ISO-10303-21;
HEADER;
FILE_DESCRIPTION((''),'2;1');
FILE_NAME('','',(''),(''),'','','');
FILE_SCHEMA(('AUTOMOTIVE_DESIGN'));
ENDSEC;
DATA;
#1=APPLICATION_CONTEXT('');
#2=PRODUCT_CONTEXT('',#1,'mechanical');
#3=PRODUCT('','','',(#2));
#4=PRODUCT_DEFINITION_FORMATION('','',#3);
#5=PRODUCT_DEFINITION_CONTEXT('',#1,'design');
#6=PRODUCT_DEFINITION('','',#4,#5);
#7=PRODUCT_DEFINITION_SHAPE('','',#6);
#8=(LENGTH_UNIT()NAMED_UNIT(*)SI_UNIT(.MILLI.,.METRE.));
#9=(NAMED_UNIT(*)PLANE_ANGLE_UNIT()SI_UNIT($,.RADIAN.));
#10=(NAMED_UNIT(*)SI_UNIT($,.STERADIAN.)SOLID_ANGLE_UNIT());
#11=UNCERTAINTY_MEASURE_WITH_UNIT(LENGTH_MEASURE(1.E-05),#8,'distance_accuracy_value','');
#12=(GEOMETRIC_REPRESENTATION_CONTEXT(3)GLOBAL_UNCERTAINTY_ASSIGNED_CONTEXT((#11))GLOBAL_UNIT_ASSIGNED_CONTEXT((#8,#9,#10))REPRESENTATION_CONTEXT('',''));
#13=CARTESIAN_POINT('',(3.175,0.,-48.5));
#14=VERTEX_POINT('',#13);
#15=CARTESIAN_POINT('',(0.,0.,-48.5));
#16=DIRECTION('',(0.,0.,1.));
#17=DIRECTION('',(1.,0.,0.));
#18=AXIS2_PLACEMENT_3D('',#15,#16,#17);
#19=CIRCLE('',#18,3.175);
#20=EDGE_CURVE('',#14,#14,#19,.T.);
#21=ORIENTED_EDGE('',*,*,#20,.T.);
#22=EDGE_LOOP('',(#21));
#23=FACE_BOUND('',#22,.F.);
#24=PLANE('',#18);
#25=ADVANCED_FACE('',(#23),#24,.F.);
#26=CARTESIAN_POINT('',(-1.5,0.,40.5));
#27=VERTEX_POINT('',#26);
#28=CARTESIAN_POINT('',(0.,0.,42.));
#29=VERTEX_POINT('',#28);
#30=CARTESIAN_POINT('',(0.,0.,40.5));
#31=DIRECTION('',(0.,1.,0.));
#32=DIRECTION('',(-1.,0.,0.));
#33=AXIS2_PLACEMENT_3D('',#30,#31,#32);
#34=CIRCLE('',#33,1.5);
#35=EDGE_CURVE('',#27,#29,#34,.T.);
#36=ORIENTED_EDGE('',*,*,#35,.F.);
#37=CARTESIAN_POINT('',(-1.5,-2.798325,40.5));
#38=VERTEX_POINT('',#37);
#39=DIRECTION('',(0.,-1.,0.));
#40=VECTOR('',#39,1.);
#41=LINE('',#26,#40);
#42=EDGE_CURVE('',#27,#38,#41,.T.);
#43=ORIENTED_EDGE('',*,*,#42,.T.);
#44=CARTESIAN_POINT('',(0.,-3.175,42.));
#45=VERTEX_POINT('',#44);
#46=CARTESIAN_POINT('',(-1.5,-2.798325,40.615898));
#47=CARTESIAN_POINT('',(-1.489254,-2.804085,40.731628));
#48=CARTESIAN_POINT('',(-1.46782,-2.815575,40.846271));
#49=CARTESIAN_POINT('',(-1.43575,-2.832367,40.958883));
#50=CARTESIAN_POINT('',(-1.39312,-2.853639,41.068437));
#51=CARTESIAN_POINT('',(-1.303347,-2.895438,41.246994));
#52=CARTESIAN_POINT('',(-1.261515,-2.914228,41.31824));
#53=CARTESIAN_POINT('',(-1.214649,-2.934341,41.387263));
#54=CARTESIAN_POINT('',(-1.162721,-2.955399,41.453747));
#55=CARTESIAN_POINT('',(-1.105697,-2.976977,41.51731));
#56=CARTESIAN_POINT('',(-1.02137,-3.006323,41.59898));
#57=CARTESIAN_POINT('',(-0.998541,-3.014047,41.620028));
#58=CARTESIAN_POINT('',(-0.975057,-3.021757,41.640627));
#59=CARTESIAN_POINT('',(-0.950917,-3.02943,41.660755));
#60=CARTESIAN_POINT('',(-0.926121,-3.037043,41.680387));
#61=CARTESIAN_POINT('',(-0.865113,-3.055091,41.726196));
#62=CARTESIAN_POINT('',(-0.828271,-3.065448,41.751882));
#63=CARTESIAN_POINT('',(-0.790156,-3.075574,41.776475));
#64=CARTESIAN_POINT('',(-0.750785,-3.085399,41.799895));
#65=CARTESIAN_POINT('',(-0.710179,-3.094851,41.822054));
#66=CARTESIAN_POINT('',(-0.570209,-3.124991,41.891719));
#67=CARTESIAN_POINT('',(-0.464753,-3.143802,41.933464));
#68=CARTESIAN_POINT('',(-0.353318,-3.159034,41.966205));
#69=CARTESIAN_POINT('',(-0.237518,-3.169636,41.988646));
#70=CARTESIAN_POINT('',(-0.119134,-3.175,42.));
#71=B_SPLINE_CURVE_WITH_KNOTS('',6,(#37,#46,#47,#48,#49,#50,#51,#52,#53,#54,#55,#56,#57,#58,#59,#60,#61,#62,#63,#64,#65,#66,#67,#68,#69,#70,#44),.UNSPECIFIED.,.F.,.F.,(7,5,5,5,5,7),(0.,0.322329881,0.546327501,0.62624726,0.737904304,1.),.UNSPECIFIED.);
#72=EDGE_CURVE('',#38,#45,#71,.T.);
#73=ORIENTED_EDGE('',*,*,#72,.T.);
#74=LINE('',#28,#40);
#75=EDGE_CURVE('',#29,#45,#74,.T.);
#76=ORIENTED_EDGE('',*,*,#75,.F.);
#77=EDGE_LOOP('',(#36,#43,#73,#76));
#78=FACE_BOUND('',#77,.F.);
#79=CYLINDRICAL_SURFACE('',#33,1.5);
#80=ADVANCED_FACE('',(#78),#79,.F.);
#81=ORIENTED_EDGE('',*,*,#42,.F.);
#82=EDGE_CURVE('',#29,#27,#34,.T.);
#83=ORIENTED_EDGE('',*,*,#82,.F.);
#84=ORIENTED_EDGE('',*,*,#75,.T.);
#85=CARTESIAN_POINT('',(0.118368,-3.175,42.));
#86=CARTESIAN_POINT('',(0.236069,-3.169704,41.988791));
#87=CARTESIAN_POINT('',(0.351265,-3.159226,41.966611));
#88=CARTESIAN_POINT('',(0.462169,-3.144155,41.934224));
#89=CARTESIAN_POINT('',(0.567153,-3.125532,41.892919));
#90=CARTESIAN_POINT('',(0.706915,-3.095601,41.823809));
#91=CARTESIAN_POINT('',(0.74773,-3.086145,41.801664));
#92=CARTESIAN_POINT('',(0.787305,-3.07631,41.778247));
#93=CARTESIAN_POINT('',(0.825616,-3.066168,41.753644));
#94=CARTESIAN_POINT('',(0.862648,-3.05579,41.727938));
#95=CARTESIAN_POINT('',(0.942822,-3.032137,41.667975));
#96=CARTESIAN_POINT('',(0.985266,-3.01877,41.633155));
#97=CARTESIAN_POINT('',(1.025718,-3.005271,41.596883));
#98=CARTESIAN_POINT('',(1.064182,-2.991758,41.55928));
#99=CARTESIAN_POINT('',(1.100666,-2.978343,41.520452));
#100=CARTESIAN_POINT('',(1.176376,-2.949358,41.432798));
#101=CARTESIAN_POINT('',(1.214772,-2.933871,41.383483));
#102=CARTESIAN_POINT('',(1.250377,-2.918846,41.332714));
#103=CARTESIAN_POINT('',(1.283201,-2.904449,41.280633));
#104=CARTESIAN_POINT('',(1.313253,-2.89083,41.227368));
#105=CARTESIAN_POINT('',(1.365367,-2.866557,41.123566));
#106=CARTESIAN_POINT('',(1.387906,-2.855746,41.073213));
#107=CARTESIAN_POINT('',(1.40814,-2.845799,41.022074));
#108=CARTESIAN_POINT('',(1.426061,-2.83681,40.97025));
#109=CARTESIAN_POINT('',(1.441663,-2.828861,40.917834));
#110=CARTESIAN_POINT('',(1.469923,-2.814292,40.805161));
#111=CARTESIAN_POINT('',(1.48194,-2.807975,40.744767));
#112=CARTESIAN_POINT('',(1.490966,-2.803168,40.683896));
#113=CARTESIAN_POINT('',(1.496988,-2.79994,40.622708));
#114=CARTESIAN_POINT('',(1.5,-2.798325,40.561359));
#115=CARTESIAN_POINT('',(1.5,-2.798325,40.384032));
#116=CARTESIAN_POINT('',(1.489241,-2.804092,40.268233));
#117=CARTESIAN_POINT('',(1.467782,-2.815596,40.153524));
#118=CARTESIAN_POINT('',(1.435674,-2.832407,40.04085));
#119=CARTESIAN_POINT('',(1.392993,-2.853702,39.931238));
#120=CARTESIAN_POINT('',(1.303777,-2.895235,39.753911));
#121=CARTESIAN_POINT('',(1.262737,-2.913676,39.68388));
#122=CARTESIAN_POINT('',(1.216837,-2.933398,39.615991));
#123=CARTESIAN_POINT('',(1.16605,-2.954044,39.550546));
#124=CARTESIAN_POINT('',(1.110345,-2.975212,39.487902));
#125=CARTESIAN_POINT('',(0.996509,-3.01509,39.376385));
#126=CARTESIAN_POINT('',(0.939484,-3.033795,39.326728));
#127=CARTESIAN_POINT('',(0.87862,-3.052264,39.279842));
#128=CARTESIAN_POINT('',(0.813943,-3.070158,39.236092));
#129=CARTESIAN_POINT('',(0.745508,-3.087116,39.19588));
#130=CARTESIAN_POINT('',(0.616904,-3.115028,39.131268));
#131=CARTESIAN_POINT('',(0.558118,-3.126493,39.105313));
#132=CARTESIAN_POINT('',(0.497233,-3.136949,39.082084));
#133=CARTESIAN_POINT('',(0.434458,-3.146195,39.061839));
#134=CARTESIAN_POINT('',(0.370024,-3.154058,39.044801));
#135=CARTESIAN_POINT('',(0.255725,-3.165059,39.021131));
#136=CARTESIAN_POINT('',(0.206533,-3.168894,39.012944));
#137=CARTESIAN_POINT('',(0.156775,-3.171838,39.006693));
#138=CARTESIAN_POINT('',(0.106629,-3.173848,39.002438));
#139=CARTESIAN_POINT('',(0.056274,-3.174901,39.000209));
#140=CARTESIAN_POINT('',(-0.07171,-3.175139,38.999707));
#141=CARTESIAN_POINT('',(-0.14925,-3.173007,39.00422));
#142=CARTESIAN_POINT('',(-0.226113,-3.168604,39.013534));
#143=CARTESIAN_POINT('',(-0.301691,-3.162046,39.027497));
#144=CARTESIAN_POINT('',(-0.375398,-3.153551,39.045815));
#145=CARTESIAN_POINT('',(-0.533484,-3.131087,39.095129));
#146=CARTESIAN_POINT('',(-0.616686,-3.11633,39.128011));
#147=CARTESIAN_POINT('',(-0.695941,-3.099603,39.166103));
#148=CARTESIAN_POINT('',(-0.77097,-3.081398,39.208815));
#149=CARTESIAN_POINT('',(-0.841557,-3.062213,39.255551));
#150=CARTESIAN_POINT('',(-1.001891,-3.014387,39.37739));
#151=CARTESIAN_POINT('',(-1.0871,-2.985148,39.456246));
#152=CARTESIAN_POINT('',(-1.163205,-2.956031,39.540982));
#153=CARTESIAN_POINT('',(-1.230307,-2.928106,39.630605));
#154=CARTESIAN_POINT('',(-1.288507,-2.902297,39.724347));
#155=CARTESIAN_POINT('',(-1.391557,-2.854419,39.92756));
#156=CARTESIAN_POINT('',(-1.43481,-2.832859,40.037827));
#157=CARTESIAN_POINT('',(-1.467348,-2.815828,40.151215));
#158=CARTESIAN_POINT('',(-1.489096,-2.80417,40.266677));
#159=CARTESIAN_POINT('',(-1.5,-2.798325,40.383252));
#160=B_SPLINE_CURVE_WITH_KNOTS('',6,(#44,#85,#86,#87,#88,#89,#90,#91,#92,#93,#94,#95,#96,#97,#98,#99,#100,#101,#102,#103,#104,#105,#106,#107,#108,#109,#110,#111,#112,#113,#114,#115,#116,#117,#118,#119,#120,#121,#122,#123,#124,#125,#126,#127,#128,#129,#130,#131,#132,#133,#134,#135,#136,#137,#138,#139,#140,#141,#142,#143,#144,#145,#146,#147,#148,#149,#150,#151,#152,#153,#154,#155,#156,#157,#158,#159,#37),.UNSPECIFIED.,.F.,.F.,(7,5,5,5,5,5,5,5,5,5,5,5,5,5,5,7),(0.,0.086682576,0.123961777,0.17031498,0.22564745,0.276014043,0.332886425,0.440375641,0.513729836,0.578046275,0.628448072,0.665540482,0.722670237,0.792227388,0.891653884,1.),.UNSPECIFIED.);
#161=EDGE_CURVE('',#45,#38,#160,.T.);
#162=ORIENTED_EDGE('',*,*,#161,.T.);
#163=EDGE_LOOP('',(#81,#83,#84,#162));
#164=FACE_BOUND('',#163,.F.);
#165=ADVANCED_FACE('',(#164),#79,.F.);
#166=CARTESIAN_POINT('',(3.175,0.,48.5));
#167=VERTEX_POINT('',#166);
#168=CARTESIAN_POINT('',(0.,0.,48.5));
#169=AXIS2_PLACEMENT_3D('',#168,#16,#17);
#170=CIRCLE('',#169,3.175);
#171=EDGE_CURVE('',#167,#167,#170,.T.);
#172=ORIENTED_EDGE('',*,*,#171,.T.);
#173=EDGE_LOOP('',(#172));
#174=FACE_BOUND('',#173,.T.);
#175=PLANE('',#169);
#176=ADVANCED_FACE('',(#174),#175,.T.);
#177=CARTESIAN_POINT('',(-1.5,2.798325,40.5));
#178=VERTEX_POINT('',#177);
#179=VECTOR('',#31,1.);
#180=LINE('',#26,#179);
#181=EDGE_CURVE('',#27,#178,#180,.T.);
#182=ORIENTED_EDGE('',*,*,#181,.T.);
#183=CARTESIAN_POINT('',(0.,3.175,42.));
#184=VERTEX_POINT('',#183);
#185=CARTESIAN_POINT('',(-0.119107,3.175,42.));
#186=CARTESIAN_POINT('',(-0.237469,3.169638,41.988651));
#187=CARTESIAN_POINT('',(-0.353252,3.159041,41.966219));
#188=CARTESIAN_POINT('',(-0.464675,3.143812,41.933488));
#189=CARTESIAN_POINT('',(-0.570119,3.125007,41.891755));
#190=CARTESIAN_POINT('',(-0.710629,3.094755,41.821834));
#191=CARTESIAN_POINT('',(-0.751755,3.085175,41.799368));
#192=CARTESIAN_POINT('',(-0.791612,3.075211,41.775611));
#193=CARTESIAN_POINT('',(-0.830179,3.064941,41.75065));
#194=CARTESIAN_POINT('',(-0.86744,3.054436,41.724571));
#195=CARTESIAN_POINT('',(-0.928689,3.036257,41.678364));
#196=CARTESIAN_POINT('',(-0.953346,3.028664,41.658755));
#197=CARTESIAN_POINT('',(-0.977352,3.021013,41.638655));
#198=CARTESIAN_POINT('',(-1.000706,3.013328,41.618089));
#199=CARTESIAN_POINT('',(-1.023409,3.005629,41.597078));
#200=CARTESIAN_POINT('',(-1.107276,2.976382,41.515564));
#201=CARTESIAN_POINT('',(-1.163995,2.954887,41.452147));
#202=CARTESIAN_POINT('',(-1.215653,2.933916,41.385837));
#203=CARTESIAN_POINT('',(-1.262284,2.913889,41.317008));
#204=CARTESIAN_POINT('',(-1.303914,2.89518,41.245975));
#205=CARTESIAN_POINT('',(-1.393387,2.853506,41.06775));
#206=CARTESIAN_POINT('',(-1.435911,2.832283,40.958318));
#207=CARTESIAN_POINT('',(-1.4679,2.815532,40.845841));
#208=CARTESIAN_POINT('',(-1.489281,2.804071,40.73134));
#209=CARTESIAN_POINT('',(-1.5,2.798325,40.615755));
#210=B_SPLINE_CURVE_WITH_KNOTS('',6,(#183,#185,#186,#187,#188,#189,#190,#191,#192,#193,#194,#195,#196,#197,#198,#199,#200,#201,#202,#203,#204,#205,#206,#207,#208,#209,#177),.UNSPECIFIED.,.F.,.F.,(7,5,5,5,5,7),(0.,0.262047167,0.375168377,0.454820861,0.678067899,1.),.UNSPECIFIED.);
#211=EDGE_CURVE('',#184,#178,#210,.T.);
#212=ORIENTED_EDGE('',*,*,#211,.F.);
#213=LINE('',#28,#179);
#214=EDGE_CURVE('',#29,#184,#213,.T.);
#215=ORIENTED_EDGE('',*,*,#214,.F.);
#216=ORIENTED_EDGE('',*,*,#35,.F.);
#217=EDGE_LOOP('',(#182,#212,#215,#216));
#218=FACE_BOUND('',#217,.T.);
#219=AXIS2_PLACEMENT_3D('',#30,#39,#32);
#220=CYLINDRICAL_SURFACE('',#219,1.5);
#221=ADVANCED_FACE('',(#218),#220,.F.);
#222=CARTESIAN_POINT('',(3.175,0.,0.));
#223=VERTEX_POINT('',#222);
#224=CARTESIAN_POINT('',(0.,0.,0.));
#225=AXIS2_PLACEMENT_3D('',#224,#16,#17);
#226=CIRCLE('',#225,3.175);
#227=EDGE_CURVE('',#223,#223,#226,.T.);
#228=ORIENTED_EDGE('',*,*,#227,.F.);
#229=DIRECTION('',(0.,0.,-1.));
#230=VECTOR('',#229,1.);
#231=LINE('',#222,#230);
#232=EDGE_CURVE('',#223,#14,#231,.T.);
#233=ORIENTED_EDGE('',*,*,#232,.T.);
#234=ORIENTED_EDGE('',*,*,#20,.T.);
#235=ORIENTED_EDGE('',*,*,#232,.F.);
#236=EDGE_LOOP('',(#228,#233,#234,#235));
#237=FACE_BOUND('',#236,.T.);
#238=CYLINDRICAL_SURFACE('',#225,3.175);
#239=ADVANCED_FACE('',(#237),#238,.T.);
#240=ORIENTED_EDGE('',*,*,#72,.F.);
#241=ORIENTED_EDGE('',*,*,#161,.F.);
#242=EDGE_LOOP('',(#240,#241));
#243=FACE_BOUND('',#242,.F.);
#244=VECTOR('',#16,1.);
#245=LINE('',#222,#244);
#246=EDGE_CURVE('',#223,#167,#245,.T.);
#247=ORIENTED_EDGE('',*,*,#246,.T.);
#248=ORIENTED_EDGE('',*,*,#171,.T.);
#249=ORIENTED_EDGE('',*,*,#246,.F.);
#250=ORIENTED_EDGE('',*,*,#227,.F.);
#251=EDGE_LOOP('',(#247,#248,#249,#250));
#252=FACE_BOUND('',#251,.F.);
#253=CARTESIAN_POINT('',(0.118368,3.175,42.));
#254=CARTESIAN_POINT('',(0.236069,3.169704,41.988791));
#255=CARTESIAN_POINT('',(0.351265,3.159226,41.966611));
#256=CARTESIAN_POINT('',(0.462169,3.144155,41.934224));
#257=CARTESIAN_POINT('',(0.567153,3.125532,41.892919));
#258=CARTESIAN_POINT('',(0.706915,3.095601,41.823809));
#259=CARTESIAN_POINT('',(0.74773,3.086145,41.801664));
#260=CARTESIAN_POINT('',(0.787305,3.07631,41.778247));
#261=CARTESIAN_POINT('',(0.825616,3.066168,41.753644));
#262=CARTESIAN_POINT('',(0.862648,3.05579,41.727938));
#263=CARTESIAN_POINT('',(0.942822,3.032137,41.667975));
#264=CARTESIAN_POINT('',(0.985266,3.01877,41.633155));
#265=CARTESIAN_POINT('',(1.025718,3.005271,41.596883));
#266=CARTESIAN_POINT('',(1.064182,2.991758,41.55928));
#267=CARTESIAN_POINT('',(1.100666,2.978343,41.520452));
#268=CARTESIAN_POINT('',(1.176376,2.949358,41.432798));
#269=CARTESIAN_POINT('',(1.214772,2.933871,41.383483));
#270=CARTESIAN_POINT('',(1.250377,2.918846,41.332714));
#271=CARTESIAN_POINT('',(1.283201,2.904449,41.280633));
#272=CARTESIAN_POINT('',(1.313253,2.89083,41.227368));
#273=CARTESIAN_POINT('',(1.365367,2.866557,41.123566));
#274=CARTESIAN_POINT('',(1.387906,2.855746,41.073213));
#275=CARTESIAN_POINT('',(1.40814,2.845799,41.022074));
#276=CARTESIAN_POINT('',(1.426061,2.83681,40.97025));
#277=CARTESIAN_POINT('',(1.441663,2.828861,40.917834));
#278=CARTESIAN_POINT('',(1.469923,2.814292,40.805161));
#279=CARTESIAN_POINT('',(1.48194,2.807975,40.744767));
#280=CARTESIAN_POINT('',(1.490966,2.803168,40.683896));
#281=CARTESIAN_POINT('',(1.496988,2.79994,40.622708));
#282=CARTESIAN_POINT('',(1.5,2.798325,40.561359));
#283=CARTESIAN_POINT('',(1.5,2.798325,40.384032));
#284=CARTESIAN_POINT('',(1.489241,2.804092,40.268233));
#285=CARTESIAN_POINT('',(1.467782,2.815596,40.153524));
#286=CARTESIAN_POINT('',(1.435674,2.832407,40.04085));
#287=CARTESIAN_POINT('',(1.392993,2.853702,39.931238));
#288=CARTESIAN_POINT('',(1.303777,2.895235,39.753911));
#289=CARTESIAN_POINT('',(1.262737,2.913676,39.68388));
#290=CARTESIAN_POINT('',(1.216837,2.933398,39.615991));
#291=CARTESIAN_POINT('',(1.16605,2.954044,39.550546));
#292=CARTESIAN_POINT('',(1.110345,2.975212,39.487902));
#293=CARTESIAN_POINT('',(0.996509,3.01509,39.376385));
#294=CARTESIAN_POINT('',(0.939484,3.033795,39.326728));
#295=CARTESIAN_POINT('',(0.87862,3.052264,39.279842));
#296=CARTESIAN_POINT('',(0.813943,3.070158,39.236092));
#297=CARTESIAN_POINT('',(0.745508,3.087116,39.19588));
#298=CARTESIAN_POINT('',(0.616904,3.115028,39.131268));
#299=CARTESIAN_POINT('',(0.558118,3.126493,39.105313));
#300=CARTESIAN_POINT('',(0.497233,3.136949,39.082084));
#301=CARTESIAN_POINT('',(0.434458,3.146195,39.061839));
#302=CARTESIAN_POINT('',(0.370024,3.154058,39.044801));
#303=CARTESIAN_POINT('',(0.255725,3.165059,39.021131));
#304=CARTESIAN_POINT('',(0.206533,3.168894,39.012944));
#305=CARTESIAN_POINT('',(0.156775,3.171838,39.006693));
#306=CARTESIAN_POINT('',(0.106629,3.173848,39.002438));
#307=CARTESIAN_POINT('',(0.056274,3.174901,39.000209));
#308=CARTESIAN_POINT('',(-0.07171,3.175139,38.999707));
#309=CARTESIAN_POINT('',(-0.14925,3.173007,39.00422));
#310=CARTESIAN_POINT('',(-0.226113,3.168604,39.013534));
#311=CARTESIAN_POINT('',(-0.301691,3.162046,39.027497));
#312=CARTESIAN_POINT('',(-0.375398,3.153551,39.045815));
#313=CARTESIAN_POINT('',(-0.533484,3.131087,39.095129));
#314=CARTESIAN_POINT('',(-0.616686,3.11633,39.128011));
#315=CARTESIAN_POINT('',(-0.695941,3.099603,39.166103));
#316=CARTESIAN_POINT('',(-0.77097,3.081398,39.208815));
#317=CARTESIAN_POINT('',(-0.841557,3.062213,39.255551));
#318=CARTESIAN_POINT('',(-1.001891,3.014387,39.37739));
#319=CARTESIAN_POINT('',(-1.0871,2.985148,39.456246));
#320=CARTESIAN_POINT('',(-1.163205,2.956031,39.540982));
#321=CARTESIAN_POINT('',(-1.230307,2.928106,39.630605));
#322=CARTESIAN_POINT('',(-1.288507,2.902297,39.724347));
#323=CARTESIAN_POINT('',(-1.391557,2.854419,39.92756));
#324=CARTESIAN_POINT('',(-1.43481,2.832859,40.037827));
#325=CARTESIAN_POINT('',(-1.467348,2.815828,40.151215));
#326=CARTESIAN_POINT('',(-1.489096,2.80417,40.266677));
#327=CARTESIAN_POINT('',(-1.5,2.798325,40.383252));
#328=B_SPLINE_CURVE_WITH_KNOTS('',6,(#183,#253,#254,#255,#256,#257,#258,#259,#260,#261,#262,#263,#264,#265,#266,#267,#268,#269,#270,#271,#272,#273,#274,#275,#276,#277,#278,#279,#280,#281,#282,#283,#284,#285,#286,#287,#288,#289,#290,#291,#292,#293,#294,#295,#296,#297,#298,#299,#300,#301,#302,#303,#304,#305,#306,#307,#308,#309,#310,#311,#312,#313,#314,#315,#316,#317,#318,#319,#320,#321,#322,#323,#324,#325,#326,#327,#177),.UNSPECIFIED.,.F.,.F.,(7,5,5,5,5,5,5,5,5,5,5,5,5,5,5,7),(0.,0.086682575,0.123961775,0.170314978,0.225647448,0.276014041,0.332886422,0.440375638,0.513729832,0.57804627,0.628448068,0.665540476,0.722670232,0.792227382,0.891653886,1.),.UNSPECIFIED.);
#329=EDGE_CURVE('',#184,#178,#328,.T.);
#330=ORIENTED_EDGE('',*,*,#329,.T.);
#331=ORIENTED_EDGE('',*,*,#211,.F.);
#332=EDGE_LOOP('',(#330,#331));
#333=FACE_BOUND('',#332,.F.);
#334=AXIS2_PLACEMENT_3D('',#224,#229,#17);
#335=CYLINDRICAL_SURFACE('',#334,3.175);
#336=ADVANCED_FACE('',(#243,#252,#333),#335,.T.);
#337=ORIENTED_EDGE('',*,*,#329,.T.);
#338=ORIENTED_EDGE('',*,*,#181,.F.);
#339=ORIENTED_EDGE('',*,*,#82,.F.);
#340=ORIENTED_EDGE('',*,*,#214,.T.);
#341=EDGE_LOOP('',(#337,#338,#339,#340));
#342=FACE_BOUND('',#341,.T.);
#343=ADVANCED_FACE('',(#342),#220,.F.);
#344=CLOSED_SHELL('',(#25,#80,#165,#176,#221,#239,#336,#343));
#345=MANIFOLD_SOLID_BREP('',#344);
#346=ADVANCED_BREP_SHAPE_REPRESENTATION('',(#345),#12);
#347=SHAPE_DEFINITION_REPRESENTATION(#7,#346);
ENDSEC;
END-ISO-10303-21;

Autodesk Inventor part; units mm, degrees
ref_plane "YZ Plane" through (0, 0, 0) normal (1, 0, 0) x (0, 1, 0)
ref_plane "XZ Plane" through (0, 0, 0) normal (0, 1, 0) x (-1, 0, 0)
ref_plane "XY Plane" through (0, 0, 0) normal (0, 0, 1) x (1, 0, 0)
sketch "Sketch1" plane through (0, 0, 0) normal (0, 0, 1) x (1, 0, 0)
  circle A0 centre (0, 0) radius 3.175
  dimension "d0" = 6.35
extrude "Extrusion1" add sketch "Sketch1" along normal mid plane 97
sketch "Sketch2" plane through (0, 0, 0) normal (0, 1, 0) x (-1, 0, 0)
  line L0 (3.175, 48.5) -> (-3.175, 48.5) projected
  line L1 (0, 48.5) -> (0, 40.5)
  circle A0 centre (0, 40.5) radius 1.5
  point P0 (0, 0)
  dimension "d3" = 8
  dimension "d4" = 3
extrude "Extrusion2" cut sketch "Sketch2" along normal mid plane 6.4
properties part number "MotorShaft"
